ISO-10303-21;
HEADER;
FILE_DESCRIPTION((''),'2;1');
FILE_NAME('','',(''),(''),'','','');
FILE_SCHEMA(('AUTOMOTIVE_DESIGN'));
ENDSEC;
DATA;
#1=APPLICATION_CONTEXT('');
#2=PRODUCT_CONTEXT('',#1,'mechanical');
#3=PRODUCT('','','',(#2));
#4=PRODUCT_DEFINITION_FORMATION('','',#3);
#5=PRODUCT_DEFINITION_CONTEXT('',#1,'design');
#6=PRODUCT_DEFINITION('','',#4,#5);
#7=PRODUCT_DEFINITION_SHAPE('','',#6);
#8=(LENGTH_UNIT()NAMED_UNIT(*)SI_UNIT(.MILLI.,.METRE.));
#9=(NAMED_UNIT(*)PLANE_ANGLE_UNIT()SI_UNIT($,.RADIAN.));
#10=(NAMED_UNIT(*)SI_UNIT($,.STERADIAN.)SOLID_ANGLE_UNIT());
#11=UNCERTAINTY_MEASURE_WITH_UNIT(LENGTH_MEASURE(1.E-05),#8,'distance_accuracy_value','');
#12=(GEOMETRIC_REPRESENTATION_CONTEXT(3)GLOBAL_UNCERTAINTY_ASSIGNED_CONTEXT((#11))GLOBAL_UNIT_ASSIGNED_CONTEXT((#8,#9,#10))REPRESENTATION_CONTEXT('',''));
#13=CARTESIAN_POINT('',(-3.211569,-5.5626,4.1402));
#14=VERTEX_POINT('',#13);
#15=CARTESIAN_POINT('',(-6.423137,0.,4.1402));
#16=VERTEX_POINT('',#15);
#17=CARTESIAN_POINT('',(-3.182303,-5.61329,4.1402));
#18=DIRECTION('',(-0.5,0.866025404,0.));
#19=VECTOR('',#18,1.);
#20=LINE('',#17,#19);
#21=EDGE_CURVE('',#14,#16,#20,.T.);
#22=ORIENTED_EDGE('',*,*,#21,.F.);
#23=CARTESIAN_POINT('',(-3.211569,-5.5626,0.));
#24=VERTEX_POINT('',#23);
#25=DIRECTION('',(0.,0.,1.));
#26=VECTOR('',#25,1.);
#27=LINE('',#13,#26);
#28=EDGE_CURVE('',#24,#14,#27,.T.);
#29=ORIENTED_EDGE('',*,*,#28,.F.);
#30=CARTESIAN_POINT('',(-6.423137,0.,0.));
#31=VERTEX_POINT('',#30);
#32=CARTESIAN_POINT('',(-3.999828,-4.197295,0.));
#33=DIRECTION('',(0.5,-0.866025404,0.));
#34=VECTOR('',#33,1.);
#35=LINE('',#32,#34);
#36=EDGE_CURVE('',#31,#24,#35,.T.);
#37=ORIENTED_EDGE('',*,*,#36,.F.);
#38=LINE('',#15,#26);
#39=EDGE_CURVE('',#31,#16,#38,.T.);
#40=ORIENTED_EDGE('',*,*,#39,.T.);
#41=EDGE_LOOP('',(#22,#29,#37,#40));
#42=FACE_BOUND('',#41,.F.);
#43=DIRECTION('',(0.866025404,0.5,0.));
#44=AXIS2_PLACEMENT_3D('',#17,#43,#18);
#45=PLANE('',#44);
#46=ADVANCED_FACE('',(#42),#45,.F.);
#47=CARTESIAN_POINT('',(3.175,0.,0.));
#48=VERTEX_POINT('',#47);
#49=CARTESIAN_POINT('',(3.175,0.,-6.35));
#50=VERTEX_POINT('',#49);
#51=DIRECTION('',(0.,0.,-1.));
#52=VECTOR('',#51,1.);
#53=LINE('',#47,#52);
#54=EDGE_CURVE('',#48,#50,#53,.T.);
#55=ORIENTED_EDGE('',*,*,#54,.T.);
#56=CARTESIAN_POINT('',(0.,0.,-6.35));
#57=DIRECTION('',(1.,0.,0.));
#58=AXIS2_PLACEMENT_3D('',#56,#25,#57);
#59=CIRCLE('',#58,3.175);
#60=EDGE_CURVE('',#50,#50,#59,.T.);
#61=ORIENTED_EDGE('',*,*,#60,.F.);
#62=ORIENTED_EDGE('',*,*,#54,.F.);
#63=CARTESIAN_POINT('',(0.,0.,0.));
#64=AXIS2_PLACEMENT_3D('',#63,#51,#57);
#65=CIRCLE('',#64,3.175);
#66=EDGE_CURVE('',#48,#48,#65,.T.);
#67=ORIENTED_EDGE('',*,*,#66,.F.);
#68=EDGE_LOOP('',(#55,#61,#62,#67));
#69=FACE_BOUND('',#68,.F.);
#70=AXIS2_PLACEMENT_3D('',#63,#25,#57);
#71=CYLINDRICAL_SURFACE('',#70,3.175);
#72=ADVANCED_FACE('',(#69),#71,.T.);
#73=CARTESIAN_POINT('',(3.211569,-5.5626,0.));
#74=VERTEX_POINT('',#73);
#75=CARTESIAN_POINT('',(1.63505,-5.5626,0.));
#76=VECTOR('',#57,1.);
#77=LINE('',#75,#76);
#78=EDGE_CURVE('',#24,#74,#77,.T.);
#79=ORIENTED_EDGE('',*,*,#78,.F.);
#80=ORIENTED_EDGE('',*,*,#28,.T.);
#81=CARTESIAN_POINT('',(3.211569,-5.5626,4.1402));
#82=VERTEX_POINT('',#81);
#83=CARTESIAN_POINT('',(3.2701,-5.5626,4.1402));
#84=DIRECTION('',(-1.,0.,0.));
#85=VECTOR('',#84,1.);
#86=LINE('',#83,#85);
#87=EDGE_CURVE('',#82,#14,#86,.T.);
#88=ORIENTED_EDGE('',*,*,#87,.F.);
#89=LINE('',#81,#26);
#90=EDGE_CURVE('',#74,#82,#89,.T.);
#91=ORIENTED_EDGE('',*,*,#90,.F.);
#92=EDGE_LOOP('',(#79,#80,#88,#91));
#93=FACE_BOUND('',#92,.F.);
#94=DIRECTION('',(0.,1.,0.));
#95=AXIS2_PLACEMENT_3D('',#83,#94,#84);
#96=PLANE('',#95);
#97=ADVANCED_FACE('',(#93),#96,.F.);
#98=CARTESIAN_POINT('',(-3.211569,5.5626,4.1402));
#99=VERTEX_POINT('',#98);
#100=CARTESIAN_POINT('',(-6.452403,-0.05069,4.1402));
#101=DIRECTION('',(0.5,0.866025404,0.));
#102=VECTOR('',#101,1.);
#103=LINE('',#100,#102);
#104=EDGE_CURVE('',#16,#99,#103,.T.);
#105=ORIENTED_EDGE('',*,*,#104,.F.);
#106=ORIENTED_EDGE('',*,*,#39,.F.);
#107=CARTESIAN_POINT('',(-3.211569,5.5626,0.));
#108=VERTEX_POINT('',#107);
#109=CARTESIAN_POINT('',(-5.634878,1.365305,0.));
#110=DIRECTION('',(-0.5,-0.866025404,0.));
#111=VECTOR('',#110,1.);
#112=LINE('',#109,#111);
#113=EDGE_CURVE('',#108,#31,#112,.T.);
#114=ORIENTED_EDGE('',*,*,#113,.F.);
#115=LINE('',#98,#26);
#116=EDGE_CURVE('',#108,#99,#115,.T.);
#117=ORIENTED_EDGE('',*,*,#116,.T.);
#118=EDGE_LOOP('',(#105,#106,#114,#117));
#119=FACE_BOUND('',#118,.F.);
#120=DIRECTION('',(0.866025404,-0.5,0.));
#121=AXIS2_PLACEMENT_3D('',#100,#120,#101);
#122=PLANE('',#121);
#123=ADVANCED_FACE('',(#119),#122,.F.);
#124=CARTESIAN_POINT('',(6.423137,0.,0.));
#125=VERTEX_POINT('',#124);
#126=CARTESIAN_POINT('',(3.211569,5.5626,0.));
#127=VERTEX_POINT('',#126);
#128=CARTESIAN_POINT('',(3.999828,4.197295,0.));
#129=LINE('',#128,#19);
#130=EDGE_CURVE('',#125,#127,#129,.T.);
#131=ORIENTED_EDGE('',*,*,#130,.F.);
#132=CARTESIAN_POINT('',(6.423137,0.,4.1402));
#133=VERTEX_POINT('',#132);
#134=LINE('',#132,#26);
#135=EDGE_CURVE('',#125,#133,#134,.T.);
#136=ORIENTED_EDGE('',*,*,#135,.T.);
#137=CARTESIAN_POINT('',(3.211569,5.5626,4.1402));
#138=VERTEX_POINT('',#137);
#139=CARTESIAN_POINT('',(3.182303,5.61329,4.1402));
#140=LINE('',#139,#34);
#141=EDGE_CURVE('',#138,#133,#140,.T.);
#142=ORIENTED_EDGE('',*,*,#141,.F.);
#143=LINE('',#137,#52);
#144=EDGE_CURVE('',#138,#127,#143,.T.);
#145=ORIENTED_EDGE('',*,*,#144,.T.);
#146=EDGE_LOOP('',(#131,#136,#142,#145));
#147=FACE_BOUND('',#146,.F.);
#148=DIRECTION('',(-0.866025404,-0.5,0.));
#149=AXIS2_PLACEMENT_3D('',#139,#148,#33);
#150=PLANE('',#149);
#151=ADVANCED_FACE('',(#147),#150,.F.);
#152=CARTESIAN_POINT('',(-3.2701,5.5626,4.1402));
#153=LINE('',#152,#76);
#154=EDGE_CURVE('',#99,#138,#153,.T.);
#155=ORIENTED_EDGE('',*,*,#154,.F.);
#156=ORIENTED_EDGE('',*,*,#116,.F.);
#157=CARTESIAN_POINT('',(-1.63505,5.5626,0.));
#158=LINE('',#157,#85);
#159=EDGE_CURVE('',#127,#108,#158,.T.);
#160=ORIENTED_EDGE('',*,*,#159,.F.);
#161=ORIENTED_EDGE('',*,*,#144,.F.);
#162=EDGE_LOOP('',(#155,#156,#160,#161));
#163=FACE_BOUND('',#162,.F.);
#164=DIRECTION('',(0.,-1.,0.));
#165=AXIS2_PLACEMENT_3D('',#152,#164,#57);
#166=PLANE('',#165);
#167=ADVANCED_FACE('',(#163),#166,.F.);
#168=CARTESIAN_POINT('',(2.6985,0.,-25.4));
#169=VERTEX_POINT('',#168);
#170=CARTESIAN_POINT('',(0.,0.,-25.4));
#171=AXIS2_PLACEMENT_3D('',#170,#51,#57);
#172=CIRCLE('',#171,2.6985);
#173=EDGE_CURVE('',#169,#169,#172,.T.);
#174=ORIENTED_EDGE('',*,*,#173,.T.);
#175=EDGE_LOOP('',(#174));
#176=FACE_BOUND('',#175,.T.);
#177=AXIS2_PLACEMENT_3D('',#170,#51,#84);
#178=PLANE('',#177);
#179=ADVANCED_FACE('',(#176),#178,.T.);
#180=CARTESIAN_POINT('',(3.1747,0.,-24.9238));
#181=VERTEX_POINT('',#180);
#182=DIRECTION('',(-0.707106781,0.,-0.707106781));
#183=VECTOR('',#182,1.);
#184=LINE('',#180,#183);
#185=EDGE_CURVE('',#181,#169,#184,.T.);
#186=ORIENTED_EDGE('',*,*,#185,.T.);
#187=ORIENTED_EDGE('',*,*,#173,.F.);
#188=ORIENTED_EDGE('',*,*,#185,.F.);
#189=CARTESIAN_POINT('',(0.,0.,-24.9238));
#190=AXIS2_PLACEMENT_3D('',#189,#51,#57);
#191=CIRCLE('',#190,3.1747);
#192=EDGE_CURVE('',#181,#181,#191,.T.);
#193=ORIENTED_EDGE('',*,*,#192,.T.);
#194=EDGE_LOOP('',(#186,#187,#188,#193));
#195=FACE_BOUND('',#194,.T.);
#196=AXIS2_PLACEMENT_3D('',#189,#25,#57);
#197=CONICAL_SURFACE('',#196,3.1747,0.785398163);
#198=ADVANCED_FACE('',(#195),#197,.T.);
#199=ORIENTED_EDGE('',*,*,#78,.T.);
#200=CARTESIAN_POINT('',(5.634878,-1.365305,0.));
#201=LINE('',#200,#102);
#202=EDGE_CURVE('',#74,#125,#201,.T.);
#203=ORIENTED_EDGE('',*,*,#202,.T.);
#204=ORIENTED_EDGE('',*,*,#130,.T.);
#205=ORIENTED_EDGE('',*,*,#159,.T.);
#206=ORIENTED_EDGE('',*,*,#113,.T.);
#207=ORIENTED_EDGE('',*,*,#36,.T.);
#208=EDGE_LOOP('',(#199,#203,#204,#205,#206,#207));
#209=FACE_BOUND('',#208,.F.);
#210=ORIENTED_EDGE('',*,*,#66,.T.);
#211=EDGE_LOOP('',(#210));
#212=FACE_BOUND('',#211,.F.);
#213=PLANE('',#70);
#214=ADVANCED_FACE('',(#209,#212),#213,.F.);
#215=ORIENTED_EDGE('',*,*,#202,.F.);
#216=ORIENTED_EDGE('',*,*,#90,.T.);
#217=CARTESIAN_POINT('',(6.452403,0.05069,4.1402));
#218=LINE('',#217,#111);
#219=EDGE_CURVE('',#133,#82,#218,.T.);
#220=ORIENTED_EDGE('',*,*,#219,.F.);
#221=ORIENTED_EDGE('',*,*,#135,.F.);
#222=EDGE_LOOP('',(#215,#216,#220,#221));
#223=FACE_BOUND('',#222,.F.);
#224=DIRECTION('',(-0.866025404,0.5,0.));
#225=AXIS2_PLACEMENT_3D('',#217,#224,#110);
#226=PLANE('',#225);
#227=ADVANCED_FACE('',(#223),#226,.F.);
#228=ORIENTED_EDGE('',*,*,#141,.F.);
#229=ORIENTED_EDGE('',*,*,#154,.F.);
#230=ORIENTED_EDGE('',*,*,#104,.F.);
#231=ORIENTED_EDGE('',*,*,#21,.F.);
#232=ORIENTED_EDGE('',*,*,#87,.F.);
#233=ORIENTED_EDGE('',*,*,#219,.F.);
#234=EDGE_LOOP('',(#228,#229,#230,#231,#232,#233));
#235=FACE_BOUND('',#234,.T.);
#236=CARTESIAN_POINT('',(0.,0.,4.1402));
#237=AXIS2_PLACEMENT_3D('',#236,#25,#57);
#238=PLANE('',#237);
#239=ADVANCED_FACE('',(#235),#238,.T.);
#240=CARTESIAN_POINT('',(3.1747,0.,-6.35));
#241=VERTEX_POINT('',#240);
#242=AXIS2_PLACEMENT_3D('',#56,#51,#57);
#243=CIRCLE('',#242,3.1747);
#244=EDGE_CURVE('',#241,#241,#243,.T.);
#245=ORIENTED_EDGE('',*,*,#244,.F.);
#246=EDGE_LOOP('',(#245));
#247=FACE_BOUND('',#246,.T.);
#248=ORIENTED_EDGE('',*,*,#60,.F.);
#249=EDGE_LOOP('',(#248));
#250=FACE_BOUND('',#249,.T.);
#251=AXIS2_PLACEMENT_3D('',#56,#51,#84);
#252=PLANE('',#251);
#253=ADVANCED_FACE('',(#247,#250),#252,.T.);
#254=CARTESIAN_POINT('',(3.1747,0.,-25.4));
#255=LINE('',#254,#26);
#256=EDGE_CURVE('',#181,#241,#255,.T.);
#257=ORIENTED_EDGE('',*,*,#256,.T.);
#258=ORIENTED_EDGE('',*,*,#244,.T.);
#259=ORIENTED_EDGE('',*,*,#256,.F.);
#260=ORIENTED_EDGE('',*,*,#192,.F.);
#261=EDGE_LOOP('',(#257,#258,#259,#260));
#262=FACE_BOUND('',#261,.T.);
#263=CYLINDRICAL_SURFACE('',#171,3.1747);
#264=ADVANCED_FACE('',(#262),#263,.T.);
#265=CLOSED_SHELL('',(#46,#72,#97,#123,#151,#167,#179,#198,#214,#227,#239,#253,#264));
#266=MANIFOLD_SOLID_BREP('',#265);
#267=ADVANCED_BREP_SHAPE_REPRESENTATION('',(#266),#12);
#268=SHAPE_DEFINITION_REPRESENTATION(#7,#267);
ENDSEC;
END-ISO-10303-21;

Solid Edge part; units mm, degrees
sketch "Sketch1" plane through (0, 0, 0) normal (0, 0, 1) x (1, 0, 0)
  circle A0 centre (0, 0) radius 6.4526
  dimension "D1" = 12.9052
extrude "Protrusion1" add sketch "Sketch1" along normal blind 4.1402
sketch "Sketch2" plane through (0, 0, 0) normal (0, 0, -1) x (1, 0, 0)
  circle A0 centre (0, 0) radius 3.175
extrude "Protrusion2" add sketch "Sketch2" along normal blind 25.4
sketch "Sketch3" plane through (0, 0, -25.4) normal (0, 0, -1) x (1, 0, 0)
  circle A0 centre (0, 0) radius 3.1747
extrude "Cutout1" cut sketch "Sketch3" against normal blind 19.05 flip side to cut
chamfer "Chamfer_1" distance 0.4762 angle 45 1 edges at (-3.1747, 0, -25.4)
sketch "Sketch4" plane through (0, 0, 4.1402) normal (0, 0, 1) x (1, 0, 0)
  line L0 (-3.2701, 5.5626) -> (3.2701, 5.5626)
  dimension "D1" = 11.1252
extrude "Cutout2" cut sketch "Sketch4" against normal up to next material side at (0, 5.6126, 4.1402)
pattern_circular "Pattern1" count 6 over 360 about axis through (0, 0, 4.1402) along (0, 0, 1) of "Cutout2"
properties part number "24100002"
